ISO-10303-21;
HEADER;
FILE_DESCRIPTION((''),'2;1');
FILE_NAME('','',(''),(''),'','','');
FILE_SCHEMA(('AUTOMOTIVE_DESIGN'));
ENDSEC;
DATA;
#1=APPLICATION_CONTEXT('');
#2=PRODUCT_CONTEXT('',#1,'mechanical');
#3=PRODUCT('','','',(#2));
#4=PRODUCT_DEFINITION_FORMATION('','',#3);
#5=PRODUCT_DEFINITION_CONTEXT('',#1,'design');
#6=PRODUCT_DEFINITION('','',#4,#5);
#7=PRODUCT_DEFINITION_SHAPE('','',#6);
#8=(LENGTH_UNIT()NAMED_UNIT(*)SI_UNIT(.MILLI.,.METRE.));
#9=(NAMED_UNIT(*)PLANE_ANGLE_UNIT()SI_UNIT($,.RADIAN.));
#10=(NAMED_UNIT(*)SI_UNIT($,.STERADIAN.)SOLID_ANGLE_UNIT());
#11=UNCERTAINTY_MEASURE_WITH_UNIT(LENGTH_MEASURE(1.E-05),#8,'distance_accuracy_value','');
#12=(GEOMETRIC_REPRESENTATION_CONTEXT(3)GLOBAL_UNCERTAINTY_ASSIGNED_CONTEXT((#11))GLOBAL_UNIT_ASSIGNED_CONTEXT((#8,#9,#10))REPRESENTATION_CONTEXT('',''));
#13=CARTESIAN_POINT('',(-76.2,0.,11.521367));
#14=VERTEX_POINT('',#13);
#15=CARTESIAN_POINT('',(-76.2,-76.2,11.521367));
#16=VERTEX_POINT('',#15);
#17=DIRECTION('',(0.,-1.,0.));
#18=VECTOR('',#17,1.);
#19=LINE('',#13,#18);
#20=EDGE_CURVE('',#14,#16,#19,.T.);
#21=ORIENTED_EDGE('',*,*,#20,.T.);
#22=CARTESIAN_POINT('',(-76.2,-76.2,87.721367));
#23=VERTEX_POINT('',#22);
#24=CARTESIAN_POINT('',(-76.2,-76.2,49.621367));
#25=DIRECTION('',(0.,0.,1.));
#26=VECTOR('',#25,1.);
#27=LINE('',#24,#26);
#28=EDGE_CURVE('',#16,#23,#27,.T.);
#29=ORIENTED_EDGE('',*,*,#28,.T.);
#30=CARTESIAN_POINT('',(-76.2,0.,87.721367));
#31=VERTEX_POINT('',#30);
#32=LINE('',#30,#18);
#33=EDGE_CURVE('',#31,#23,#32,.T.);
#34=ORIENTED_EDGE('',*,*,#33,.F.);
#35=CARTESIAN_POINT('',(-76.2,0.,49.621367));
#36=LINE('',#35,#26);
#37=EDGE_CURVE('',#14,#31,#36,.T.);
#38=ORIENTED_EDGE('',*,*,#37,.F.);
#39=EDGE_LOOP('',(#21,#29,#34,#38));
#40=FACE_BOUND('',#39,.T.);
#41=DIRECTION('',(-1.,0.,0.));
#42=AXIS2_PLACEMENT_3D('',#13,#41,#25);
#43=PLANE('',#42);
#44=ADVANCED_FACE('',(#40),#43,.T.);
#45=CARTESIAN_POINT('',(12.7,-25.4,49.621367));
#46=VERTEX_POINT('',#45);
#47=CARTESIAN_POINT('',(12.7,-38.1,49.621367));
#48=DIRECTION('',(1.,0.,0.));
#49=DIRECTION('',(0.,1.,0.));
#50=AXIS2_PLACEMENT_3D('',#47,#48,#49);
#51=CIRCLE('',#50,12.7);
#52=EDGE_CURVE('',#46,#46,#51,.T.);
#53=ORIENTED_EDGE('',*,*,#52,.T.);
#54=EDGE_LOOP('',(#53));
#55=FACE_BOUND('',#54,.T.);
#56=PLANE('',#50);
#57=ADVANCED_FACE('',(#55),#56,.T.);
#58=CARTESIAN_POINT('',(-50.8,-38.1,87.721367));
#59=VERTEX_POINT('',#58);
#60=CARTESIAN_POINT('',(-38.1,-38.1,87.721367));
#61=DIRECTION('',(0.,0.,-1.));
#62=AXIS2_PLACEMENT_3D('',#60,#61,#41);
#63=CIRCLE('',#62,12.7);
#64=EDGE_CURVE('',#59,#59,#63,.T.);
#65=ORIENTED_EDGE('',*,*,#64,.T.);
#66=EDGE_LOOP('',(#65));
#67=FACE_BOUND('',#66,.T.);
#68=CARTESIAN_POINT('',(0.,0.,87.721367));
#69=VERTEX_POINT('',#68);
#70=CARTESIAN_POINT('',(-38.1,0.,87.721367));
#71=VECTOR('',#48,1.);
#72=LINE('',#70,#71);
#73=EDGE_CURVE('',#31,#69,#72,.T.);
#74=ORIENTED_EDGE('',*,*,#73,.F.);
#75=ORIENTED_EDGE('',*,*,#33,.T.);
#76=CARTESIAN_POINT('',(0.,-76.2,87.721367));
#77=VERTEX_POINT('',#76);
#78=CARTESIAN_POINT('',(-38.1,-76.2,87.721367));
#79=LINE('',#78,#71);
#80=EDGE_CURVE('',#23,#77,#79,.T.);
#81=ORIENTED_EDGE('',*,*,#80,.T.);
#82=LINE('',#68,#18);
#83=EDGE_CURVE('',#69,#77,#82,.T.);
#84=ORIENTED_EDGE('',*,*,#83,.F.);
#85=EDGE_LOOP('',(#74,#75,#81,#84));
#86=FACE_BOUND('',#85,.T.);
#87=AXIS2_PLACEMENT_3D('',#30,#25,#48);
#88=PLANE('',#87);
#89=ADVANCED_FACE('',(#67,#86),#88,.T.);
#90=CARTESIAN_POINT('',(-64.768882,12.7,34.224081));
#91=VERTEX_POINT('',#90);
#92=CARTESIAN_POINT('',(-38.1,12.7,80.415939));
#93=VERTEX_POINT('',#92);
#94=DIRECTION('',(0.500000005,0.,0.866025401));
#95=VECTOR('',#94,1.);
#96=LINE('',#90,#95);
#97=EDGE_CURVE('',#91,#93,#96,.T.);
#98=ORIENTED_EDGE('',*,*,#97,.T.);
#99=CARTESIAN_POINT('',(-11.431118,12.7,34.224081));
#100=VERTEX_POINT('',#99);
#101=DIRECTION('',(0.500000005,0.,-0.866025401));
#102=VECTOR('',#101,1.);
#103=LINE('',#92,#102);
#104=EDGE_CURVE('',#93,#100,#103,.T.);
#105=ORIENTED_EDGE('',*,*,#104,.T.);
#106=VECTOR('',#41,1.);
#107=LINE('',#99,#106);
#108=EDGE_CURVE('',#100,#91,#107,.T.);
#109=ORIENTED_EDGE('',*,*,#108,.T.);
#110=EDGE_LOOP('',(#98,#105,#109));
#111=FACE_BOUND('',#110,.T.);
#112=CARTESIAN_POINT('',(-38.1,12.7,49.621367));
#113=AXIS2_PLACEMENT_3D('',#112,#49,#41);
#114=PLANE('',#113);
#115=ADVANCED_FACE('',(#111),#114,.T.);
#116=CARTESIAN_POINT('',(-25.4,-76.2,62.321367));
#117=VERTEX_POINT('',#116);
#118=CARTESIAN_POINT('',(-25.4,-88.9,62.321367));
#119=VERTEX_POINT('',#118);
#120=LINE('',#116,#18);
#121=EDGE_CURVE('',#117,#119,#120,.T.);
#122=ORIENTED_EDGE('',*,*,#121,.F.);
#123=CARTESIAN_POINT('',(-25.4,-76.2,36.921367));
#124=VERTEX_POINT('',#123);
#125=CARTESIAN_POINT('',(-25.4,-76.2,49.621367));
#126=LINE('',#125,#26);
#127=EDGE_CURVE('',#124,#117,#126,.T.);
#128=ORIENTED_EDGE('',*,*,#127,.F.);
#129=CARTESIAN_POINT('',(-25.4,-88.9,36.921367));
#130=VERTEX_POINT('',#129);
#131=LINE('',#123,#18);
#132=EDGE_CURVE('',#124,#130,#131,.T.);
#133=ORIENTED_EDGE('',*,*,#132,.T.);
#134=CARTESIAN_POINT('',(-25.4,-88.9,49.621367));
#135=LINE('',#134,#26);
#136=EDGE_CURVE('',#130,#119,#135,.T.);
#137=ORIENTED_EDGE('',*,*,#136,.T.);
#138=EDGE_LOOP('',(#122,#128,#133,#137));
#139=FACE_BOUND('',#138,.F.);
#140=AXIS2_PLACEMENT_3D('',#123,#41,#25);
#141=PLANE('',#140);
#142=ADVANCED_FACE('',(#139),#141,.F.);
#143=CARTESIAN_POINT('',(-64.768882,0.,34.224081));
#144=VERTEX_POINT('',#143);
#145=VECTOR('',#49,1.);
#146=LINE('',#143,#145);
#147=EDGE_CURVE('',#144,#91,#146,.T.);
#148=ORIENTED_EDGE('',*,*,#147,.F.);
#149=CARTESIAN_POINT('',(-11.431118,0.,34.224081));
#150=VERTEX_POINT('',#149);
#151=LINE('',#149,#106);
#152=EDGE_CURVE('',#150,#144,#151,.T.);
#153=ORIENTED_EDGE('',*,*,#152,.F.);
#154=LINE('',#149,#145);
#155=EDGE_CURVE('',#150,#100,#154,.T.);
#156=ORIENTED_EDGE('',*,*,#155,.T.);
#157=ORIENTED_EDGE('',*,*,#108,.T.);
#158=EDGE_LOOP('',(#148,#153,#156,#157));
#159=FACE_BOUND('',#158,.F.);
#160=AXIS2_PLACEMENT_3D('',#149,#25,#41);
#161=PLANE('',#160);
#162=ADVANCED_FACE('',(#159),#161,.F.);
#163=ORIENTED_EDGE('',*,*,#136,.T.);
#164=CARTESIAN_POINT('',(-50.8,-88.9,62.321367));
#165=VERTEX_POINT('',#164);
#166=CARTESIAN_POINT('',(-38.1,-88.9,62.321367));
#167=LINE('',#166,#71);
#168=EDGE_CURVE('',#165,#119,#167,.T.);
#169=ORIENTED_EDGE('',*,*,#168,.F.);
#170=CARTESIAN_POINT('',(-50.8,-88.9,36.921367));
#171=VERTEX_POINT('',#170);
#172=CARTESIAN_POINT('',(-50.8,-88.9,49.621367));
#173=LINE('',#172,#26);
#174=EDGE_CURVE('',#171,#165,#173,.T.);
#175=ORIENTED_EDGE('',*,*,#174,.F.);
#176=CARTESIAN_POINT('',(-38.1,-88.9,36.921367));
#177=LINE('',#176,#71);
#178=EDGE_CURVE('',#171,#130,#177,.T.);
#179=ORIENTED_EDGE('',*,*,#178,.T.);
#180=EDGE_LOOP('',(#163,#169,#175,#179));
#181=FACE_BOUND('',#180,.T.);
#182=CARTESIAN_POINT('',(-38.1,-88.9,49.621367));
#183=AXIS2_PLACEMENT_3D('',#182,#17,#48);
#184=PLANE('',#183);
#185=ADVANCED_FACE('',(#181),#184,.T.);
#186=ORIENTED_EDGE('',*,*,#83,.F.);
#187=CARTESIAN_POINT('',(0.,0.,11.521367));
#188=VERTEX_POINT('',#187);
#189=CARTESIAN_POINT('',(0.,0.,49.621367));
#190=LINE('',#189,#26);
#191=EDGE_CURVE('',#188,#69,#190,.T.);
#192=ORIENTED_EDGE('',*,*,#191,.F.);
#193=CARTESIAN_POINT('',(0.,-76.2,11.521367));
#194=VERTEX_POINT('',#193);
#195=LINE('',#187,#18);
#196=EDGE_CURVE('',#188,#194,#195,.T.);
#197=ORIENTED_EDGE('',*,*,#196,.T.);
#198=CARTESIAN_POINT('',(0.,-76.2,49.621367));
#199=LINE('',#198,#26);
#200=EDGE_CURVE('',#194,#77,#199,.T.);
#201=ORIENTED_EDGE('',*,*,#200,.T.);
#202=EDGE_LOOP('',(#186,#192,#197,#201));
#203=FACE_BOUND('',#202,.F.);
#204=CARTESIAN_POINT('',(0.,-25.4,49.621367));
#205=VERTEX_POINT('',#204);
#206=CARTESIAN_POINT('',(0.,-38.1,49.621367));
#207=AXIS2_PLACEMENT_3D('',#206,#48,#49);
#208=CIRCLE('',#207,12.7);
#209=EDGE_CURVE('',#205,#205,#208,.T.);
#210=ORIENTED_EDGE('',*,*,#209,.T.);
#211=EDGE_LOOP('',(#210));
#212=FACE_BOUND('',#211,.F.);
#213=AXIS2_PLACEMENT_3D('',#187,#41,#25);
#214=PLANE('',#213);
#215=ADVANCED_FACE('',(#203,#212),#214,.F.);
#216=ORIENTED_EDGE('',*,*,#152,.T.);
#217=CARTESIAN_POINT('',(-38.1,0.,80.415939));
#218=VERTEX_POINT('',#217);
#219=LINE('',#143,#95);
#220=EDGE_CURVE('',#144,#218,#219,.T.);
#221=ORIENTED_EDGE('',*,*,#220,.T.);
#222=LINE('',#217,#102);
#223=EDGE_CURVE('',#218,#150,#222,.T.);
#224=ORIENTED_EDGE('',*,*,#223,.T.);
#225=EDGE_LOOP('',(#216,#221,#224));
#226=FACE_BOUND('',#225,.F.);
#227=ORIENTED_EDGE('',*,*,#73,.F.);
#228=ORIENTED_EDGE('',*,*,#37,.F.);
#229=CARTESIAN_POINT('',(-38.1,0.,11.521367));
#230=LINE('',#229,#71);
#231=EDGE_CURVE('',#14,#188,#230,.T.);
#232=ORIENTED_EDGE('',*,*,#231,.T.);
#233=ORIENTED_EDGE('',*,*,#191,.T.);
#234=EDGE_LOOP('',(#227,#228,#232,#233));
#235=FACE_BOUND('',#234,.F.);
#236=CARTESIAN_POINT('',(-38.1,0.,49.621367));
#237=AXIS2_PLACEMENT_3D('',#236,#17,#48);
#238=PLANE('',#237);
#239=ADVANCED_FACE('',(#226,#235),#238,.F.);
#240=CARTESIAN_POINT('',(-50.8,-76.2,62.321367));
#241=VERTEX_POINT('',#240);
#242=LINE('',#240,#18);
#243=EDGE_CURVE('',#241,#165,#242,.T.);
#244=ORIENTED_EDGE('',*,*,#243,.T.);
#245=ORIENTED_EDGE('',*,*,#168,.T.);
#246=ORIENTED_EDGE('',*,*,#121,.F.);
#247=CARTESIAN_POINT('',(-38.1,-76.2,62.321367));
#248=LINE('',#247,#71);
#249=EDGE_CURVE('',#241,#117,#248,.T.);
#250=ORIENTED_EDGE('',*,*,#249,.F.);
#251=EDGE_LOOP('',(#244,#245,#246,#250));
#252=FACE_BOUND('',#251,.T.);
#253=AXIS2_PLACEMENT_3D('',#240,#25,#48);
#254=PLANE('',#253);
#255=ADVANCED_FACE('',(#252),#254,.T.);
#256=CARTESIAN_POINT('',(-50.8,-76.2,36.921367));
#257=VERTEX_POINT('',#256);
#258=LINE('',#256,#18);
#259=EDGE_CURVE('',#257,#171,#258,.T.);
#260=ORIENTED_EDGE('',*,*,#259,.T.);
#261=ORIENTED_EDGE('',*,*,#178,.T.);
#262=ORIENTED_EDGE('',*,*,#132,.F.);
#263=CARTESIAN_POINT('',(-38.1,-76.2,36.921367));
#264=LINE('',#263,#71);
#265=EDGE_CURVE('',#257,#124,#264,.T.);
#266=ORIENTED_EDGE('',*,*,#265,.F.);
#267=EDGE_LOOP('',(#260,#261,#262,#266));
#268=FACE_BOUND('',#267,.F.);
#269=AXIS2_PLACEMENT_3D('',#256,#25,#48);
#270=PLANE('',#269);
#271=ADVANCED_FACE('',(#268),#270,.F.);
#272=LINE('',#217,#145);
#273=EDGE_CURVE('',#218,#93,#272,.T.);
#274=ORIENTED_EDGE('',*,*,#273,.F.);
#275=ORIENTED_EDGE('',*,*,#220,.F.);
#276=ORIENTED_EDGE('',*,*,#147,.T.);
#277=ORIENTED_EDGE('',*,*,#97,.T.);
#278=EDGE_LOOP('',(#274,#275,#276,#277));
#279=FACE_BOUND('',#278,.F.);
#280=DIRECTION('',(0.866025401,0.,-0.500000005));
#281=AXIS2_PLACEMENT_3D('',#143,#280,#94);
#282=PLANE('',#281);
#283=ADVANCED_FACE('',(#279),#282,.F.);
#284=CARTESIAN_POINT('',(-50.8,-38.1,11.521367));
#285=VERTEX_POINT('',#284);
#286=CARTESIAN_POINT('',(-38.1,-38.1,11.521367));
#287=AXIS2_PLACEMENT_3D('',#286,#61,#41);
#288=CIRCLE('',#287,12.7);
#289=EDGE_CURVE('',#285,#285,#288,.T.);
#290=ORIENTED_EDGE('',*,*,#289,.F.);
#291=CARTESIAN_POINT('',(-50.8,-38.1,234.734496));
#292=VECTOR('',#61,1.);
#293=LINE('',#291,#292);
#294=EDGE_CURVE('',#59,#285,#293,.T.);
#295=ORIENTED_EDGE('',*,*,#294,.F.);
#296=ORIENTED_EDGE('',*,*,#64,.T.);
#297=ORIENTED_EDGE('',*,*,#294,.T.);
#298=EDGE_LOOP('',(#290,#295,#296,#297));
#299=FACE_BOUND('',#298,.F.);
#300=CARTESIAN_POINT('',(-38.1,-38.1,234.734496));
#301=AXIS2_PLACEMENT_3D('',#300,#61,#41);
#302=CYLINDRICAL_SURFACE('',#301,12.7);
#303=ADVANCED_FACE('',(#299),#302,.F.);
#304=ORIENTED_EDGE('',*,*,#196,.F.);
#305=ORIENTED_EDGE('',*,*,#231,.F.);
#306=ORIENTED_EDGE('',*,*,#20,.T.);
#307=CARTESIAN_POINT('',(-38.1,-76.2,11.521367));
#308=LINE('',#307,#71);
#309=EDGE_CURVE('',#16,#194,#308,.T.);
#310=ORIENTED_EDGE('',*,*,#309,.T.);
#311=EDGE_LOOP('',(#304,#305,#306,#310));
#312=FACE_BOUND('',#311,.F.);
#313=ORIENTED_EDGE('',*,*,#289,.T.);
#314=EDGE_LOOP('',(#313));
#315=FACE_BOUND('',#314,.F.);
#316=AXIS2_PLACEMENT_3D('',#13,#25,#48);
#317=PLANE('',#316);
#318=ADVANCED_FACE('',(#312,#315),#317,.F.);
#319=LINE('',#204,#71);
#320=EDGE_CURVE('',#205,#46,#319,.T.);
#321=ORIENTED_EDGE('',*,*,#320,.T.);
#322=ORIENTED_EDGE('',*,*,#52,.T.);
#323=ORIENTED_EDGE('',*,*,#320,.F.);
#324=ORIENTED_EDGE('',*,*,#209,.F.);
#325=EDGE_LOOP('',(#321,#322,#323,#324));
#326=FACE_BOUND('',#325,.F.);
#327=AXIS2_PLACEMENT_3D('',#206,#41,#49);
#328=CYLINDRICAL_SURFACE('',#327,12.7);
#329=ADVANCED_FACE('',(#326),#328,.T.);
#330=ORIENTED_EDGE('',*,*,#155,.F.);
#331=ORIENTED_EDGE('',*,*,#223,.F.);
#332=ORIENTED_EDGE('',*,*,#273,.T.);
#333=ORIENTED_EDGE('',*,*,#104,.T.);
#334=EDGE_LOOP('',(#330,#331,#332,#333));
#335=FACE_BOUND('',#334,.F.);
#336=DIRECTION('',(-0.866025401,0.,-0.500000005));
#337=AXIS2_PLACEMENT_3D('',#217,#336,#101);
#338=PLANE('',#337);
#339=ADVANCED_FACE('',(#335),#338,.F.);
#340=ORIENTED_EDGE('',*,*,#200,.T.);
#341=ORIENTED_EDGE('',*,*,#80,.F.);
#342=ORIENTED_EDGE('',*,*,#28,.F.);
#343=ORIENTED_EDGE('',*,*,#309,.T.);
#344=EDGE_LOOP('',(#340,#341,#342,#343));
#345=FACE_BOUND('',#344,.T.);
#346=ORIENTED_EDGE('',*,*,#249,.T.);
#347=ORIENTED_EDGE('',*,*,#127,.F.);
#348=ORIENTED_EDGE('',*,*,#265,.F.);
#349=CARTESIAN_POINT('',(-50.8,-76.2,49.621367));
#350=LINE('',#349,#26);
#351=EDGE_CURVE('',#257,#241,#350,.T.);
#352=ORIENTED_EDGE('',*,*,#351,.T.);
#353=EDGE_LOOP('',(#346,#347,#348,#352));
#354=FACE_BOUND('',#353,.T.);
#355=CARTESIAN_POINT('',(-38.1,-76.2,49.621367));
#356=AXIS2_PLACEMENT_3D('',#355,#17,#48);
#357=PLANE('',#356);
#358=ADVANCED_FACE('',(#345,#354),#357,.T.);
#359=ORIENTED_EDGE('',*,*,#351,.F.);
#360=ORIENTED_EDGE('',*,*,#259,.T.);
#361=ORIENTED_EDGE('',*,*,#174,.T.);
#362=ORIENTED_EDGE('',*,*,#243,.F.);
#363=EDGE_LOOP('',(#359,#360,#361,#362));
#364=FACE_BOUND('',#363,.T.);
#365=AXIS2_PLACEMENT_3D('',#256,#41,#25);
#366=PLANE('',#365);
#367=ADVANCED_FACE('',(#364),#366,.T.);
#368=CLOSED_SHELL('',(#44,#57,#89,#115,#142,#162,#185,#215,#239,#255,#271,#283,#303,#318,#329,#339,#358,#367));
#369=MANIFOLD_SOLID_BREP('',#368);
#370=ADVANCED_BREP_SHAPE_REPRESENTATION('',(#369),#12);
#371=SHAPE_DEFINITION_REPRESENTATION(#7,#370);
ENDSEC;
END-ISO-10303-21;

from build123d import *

# Parameters (mm, degrees)
F0_W     = 76.2
F0_H     = 76.2
F1_DEPTH = 76.2
F2_W     = 25.4
F2_H     = 25.4
F3_DEPTH = 12.7
F4_R     = 12.7
F5_DEPTH = 12.7
F7_D     = 25.4
F9_DEPTH = 12.7


with BuildPart() as f1:
    # F0 (on Front) → F1 (new body)
    with BuildSketch(Plane.XZ):
        with Locations((-38.1, 49.621367)):
            Rectangle(F0_W, F0_H)
    extrude(amount=F1_DEPTH)

    # F2 (on face) → F3 (join)
    with BuildSketch(Plane.XZ.offset(76.2)):
        with Locations((-38.1, 49.621367)):
            Rectangle(F2_W, F2_H)
    extrude(amount=F3_DEPTH)

    # F4 (on face) → F5 (join)
    with BuildSketch(Plane.YZ):
        with Locations((-38.1, 49.621367)):
            Circle(F4_R)
    extrude(amount=F5_DEPTH)

    # F7 (through all)
    with Locations(Plane.XY.offset(87.721367)):
        with Locations((-38.1, -38.1)):
            Hole(F7_D / 2)

    # F8 (on face) → F9 (join)
    with BuildSketch(Plane(origin=(0, 0, 0), x_dir=(-1, 0, 0), z_dir=(0, 1, 0))):
        Polygon((11.431118, 34.224081), (64.768882, 34.224081), (38.1, 80.415939), align=None)
    extrude(amount=F9_DEPTH)


solid = f1.part
